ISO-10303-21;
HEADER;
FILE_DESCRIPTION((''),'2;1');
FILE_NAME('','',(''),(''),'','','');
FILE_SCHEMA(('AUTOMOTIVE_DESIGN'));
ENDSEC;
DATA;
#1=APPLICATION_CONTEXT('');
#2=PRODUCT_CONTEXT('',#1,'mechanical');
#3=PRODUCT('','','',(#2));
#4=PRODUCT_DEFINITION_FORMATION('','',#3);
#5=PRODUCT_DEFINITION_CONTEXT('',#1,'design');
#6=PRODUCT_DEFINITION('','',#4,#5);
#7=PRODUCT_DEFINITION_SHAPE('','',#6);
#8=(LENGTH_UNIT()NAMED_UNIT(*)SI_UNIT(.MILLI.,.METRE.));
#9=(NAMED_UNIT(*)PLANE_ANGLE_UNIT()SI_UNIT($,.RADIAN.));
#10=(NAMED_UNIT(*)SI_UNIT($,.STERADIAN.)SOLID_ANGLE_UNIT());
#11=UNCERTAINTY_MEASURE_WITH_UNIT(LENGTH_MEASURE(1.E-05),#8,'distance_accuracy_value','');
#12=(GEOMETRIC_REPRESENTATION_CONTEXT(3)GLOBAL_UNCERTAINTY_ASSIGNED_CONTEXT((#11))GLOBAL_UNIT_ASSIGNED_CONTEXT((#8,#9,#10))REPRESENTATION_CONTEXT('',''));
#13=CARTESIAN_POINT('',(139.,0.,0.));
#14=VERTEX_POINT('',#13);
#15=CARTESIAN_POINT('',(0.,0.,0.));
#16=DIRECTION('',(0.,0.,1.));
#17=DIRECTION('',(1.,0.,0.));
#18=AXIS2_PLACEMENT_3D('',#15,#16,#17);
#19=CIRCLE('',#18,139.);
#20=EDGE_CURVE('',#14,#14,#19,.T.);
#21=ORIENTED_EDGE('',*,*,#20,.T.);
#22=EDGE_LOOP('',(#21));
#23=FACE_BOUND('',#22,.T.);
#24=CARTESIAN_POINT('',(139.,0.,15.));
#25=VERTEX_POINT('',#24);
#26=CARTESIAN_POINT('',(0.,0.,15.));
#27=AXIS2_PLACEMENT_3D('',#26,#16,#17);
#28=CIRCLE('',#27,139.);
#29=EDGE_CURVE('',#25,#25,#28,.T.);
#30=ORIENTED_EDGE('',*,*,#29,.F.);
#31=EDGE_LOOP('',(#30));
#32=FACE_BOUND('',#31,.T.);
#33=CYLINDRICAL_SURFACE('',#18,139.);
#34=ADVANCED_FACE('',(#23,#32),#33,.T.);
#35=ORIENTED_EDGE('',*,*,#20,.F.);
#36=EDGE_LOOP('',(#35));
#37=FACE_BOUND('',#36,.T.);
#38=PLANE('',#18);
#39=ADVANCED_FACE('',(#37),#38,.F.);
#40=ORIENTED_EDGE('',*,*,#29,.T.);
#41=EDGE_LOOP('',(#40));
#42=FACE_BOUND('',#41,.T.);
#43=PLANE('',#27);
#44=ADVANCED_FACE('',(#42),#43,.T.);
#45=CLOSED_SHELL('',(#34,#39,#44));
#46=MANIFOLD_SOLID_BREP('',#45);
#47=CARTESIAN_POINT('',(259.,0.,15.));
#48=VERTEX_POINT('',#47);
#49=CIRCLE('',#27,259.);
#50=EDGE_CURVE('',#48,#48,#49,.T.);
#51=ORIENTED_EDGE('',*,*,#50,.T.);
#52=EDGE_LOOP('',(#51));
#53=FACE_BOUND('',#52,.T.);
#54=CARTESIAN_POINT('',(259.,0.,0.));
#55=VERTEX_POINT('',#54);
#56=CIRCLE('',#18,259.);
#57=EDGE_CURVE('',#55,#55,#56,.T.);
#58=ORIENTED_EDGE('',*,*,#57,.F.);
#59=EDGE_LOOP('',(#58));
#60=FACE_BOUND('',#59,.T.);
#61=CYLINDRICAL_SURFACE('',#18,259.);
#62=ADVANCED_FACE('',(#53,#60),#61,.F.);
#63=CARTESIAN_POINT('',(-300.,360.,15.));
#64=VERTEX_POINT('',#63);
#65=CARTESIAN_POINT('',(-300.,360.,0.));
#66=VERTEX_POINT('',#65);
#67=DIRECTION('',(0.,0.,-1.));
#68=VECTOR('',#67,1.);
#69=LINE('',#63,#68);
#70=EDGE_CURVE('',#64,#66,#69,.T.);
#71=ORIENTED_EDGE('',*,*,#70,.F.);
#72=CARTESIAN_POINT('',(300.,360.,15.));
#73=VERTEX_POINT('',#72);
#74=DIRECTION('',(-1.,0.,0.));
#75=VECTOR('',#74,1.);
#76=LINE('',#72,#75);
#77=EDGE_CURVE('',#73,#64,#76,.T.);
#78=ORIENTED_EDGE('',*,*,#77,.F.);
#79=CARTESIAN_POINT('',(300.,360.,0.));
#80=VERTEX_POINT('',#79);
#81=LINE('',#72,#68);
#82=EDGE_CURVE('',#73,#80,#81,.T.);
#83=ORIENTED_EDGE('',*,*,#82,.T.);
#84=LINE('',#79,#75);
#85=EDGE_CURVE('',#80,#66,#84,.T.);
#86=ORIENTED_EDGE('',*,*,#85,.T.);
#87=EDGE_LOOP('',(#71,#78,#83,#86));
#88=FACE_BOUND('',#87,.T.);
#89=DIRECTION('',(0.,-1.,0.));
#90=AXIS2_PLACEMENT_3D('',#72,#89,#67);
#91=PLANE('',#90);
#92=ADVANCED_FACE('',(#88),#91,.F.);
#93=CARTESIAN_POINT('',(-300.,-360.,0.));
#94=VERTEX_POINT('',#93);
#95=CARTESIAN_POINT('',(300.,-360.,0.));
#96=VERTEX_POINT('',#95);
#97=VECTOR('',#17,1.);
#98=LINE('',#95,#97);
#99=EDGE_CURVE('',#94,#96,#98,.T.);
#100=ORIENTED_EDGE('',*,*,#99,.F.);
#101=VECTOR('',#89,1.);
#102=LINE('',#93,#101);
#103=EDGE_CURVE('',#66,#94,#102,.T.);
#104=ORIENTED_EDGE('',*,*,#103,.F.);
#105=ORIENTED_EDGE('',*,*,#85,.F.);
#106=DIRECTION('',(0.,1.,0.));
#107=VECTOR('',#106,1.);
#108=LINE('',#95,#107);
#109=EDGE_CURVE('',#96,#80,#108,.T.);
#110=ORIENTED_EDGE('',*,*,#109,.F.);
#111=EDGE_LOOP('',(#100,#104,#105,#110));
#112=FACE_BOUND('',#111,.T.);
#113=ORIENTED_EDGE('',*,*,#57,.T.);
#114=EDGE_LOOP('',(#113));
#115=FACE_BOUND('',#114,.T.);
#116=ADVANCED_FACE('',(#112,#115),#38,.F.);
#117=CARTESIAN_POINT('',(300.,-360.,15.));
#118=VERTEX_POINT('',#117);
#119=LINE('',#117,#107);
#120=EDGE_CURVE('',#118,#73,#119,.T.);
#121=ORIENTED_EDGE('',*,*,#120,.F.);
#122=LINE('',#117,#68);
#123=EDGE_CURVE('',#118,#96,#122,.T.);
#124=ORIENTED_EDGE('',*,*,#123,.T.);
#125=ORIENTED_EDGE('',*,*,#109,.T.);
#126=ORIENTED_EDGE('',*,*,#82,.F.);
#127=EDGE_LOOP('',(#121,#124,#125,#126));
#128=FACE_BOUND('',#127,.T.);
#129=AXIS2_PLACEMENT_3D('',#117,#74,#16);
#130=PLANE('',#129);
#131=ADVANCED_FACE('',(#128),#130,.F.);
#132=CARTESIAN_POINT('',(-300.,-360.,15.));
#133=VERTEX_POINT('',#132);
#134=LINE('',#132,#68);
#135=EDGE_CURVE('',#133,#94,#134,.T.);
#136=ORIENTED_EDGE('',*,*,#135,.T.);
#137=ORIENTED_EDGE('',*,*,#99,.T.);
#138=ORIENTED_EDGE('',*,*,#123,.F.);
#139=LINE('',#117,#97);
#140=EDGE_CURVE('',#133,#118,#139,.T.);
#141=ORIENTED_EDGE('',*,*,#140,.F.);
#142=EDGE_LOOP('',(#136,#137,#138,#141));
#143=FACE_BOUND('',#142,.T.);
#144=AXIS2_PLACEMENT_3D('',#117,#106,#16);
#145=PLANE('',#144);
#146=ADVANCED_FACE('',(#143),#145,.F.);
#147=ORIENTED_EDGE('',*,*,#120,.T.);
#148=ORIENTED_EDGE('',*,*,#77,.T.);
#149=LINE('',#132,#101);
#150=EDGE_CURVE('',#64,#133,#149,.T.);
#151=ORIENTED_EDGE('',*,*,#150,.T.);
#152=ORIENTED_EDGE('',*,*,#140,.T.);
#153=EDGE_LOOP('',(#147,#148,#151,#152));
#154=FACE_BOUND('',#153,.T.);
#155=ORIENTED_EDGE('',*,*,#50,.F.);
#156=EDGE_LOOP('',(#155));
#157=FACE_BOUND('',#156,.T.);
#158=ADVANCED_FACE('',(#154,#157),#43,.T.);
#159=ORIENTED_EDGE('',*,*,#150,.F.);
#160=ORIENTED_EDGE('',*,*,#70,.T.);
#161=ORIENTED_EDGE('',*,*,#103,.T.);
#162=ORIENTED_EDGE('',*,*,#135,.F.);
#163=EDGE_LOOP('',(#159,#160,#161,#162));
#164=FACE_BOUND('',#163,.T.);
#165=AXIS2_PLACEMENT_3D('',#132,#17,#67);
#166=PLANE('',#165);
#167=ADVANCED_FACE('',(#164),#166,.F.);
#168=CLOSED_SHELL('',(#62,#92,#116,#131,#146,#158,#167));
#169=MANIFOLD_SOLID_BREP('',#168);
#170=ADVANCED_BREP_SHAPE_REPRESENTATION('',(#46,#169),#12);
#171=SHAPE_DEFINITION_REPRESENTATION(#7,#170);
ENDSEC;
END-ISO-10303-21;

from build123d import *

# Parameters (mm, degrees)
ESQUISSE1_W             = 600
ESQUISSE1_H             = 720
BOSS_EXTRU_1_DEPTH      = 15
ESQUISSE2_R             = 259
ESQUISSE2_R_2           = 139
ENL_V_MAT_EXTRU_1_DEPTH = 15


with BuildPart() as part:
    # Esquisse1 → Boss.-Extru.1 (new body)
    with BuildSketch(Plane.XY):
        Rectangle(ESQUISSE1_W, ESQUISSE1_H)
    extrude(amount=BOSS_EXTRU_1_DEPTH)

    # Esquisse2 → Enlèv. mat.-Extru.1 (cut)
    with BuildSketch(Plane.XY.offset(15)):
        Circle(ESQUISSE2_R)
        Circle(ESQUISSE2_R_2, mode=Mode.SUBTRACT)
    extrude(amount=-ENL_V_MAT_EXTRU_1_DEPTH, mode=Mode.SUBTRACT)


with BuildPart() as enl_v_mat_extru_1_piece_1:
    # of the separate pieces the step leaves, piece 1, a body of its own (enl_v_mat_extru_1_pieces)
    add(part.part.solids().sort_by_distance((300, -360, 0))[0])


with BuildPart() as enl_v_mat_extru_1_piece_2:
    # of the separate pieces the step leaves, piece 2, a body of its own (enl_v_mat_extru_1_pieces)
    add(part.part.solids().sort_by_distance((139, 0, 0))[0])


solid = Compound([enl_v_mat_extru_1_piece_1.part, enl_v_mat_extru_1_piece_2.part])
